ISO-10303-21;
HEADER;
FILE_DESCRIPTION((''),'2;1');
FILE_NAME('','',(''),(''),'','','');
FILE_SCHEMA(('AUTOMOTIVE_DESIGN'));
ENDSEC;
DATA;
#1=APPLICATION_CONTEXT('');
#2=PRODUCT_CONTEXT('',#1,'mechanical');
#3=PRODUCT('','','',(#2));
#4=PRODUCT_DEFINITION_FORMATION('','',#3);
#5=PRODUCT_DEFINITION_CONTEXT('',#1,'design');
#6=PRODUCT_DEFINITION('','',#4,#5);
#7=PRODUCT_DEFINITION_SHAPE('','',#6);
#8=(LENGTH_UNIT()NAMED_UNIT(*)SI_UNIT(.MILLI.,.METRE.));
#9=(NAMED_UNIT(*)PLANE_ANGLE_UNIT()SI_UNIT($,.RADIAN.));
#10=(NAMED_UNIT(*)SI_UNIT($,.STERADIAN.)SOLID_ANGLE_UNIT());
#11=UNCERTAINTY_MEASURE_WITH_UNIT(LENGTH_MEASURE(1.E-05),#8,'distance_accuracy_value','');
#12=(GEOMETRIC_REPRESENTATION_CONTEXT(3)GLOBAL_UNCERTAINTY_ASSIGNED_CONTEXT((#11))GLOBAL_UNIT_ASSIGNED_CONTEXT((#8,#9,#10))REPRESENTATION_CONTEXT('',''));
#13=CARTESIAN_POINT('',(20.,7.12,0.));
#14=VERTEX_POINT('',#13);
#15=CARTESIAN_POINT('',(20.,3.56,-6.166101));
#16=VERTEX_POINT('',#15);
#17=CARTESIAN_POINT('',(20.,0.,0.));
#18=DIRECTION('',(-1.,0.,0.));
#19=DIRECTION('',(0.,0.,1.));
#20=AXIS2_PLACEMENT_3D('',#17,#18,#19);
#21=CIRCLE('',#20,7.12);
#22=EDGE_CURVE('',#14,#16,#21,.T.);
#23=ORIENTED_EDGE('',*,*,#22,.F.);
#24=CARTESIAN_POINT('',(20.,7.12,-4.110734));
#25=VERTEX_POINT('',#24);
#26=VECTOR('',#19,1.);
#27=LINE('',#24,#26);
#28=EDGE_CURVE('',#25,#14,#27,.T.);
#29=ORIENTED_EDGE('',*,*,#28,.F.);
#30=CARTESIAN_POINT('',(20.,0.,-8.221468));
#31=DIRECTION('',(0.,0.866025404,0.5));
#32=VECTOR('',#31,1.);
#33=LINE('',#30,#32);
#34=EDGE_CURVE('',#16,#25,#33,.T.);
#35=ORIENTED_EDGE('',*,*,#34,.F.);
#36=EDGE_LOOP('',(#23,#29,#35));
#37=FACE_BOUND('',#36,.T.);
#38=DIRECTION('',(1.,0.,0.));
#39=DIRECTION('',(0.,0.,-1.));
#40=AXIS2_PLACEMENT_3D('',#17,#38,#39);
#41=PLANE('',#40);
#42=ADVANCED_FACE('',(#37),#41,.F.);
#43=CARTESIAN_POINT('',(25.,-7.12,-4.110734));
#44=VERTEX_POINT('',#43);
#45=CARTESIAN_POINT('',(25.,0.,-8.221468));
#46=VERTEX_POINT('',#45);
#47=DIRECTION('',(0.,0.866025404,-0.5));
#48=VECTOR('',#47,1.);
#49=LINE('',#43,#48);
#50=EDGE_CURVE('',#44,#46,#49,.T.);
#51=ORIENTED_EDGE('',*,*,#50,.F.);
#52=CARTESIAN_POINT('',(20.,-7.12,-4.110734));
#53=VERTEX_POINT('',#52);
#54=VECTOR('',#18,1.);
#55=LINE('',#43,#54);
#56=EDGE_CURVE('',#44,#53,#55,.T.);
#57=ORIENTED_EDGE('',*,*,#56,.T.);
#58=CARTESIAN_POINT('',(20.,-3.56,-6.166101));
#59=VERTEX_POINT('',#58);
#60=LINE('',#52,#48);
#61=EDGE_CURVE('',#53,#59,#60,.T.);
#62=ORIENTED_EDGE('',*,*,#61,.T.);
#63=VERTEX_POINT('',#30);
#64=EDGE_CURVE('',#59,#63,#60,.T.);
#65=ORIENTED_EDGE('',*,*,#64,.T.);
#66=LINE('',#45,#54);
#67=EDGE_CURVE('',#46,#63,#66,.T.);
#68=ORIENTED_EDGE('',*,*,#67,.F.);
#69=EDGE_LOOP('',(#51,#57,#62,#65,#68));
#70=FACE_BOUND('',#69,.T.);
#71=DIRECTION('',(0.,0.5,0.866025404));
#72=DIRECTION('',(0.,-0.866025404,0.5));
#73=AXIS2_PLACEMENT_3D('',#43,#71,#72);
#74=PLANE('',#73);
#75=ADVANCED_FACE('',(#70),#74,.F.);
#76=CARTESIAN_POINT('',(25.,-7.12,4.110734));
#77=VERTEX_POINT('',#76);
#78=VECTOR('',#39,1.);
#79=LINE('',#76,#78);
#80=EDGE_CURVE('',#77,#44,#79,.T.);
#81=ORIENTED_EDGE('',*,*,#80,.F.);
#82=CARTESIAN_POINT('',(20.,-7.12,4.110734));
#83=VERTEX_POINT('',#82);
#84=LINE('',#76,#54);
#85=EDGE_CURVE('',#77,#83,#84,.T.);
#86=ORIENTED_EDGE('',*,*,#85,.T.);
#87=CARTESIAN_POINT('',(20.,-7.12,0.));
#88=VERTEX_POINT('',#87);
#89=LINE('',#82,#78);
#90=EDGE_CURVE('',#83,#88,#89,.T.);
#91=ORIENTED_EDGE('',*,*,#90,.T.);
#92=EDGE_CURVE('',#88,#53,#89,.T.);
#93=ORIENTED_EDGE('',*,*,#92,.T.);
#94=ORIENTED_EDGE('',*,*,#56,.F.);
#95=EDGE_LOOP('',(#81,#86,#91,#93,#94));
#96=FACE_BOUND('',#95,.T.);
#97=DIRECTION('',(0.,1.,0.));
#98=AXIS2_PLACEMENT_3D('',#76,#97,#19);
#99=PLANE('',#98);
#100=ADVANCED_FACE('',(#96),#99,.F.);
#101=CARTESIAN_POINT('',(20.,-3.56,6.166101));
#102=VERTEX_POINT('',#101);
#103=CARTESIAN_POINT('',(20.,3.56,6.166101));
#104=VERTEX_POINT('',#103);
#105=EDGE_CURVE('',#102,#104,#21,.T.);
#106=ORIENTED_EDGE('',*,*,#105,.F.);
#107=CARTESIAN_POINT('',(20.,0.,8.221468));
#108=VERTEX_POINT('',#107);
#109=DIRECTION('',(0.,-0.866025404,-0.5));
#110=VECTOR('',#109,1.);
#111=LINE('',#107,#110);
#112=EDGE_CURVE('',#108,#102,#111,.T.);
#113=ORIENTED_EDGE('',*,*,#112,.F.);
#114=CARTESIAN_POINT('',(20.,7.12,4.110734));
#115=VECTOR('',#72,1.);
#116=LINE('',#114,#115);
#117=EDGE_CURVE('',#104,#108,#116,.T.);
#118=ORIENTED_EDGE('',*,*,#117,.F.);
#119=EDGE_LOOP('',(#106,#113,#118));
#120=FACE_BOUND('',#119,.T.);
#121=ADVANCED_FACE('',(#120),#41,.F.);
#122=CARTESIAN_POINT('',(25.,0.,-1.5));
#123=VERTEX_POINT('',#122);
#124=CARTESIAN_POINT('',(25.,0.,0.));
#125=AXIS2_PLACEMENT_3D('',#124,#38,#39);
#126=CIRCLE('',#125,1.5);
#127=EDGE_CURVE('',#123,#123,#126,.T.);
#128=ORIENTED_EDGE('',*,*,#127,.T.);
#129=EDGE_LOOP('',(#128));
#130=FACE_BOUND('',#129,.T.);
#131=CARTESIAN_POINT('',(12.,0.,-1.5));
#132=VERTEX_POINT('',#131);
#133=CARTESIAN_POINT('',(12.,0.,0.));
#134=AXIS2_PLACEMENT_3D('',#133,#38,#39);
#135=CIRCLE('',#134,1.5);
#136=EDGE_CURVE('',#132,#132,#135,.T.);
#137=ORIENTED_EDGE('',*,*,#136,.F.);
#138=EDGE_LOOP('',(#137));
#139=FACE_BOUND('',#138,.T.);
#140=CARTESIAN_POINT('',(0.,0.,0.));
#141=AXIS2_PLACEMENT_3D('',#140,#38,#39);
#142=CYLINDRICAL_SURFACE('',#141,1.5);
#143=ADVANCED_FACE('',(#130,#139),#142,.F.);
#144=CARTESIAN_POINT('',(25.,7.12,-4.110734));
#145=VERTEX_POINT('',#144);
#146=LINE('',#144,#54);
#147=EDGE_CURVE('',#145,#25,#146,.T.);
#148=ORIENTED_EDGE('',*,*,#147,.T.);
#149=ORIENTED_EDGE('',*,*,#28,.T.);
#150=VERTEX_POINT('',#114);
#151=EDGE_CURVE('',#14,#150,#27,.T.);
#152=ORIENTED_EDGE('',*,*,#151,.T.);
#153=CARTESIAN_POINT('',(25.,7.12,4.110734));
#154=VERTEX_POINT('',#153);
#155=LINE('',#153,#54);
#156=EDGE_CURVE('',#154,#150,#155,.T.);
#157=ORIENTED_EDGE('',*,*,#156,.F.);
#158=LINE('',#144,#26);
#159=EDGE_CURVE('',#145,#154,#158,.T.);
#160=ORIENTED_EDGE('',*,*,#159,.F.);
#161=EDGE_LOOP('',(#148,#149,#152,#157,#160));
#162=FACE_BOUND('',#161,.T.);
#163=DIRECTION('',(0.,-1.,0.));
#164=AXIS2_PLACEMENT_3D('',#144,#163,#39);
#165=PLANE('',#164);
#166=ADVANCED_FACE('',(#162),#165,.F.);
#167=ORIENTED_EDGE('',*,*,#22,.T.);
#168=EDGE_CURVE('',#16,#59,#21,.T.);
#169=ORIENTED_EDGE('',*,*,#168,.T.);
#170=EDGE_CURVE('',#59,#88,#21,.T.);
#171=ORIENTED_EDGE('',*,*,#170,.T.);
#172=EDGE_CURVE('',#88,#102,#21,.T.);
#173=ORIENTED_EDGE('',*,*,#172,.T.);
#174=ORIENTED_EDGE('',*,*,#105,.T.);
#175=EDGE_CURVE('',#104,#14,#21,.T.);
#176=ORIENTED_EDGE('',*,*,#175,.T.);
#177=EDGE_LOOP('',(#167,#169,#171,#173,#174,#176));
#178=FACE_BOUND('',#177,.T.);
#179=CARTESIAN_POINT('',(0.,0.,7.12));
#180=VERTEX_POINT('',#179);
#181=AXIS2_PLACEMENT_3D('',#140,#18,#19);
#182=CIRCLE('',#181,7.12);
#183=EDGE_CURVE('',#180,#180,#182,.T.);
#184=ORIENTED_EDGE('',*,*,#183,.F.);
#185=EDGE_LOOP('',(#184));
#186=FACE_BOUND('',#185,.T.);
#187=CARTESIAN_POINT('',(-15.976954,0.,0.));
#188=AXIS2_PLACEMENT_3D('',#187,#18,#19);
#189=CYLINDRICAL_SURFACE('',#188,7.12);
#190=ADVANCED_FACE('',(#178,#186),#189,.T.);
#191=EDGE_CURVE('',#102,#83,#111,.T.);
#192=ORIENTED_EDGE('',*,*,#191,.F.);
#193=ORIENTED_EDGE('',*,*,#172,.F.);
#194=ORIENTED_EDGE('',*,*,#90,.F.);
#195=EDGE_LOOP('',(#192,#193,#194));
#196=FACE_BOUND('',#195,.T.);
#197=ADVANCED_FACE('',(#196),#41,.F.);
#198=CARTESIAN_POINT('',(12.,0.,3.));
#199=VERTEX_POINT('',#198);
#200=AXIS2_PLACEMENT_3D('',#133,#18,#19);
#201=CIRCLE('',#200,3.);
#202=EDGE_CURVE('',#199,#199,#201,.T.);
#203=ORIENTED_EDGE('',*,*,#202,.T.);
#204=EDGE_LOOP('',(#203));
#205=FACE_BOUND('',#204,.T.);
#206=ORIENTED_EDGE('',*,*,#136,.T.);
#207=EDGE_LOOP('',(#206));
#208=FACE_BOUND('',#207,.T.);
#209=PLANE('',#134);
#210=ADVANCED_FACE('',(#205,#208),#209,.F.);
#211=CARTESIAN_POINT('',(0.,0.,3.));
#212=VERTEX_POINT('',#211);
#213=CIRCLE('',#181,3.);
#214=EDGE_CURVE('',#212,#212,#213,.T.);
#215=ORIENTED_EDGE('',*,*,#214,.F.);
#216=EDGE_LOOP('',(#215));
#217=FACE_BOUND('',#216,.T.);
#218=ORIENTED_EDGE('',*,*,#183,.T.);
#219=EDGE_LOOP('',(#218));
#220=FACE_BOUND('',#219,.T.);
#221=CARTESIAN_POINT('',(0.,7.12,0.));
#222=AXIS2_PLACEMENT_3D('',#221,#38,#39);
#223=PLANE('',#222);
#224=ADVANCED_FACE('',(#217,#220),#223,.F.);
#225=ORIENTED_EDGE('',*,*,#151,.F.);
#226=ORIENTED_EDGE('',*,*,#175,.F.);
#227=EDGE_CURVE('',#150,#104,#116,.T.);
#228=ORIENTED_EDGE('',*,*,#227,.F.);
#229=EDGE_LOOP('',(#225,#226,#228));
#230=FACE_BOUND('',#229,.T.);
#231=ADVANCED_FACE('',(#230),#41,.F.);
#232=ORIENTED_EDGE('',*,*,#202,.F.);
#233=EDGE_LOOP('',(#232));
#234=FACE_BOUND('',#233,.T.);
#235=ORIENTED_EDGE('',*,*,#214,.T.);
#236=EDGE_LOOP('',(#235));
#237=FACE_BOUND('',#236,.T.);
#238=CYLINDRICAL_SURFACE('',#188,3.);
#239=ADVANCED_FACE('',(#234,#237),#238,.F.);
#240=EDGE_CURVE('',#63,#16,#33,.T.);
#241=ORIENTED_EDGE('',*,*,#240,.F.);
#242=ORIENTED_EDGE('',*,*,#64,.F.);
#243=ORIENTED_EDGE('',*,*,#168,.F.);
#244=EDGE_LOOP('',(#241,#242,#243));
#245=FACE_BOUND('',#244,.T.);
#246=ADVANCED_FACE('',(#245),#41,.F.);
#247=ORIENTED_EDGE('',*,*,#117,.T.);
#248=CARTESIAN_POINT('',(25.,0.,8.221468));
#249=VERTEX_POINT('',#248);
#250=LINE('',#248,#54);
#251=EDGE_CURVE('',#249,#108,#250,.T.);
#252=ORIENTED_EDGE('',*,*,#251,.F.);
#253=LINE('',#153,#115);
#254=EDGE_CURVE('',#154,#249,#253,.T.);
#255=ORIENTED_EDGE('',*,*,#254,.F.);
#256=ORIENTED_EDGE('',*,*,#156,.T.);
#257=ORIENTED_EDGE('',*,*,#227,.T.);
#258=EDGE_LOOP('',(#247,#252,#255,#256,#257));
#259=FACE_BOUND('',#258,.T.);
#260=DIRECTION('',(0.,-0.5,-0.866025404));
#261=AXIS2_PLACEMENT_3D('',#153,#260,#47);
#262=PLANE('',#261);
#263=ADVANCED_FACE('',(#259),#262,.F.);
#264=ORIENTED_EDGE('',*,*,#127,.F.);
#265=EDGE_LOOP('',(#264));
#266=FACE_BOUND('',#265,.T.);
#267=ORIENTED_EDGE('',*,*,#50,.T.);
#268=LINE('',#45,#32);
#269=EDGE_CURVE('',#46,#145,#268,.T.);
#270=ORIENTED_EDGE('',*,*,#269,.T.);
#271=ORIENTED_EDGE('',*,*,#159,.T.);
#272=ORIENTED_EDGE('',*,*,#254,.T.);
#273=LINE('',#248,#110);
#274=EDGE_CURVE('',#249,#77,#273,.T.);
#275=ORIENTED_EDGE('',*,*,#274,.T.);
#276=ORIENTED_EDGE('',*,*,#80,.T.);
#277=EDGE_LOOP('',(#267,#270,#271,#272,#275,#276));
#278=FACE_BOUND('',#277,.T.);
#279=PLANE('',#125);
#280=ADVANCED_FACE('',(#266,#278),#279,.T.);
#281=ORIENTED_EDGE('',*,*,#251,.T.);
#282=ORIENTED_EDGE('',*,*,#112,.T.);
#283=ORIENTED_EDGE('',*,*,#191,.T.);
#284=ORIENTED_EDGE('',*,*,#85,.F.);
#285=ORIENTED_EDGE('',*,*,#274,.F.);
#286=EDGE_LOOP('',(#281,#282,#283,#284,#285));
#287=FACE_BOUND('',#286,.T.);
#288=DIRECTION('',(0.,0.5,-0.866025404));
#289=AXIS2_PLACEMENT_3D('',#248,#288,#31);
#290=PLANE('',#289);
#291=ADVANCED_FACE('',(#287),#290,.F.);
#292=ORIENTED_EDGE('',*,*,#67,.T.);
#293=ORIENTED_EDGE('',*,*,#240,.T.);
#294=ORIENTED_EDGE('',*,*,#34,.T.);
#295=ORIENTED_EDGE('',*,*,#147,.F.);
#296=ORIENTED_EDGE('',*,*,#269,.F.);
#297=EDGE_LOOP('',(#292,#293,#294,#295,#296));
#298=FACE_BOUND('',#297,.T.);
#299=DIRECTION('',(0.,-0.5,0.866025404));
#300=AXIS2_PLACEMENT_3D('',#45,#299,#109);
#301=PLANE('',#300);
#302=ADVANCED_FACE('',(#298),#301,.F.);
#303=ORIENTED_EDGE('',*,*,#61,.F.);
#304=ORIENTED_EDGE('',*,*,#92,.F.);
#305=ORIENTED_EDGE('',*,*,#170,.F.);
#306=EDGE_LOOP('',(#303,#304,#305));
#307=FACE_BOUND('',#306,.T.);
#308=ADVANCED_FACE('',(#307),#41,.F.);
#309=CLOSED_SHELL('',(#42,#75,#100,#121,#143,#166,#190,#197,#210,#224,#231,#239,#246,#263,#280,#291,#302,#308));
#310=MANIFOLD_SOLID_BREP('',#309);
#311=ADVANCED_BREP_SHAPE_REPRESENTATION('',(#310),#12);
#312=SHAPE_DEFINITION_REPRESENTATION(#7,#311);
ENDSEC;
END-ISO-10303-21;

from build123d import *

# Parameters (mm, degrees)
SKETCH_1_W               = 20
SKETCH_1_H               = 7.12
SKETCH_1_4_W             = 12
SKETCH_1_4_H             = 3
EXTRUDE_1_DEPTH          = 5
CUT_EXTRUDE_1_DEPTH      = 28.263289114
CUT_EXTRUDE_1_DEPTH_BACK = 28.263289114
SKETCH_3_R               = 1.5


with BuildPart() as part:
    # 草图1 → 旋转1 (revolve)
    with BuildSketch(Plane.XY):
        with Locations((10, 3.56)):
            Rectangle(SKETCH_1_W, SKETCH_1_H)
    revolve(axis=Axis((-15.976954312, 0, 0), (1, 0, 0)))

    # 草图1<4> → 切除-旋转1 (revolve, cut)
    with BuildSketch(Plane.XY):
        with Locations((6, 1.5)):
            Rectangle(SKETCH_1_4_W, SKETCH_1_4_H)
    revolve(axis=Axis((-15.976954312, 0, 0), (1, 0, 0)), mode=Mode.SUBTRACT)

    # 草图2 → 凸台-拉伸1 (add)
    with BuildSketch(Plane(origin=(20, 0, 0), x_dir=(0, 0, -1), z_dir=(1, 0, 0))):
        Polygon((8.221467833, 0), (4.110733917, 7.12), (-4.110733917, 7.12), (-8.221467833, 0), (-4.110733917, -7.12), (4.110733917, -7.12), align=None)
    extrude(amount=EXTRUDE_1_DEPTH)

    # 草图3 → 切除-拉伸1 (cut, two sides: drawn at the far end of the back side and taken through both)
    with BuildSketch(Plane(origin=(25, 0, 0), x_dir=(0, 0, -1), z_dir=(1, 0, 0)).offset(-CUT_EXTRUDE_1_DEPTH_BACK)):
        Circle(SKETCH_3_R)
    extrude(amount=CUT_EXTRUDE_1_DEPTH + CUT_EXTRUDE_1_DEPTH_BACK, mode=Mode.SUBTRACT)


solid = part.part
